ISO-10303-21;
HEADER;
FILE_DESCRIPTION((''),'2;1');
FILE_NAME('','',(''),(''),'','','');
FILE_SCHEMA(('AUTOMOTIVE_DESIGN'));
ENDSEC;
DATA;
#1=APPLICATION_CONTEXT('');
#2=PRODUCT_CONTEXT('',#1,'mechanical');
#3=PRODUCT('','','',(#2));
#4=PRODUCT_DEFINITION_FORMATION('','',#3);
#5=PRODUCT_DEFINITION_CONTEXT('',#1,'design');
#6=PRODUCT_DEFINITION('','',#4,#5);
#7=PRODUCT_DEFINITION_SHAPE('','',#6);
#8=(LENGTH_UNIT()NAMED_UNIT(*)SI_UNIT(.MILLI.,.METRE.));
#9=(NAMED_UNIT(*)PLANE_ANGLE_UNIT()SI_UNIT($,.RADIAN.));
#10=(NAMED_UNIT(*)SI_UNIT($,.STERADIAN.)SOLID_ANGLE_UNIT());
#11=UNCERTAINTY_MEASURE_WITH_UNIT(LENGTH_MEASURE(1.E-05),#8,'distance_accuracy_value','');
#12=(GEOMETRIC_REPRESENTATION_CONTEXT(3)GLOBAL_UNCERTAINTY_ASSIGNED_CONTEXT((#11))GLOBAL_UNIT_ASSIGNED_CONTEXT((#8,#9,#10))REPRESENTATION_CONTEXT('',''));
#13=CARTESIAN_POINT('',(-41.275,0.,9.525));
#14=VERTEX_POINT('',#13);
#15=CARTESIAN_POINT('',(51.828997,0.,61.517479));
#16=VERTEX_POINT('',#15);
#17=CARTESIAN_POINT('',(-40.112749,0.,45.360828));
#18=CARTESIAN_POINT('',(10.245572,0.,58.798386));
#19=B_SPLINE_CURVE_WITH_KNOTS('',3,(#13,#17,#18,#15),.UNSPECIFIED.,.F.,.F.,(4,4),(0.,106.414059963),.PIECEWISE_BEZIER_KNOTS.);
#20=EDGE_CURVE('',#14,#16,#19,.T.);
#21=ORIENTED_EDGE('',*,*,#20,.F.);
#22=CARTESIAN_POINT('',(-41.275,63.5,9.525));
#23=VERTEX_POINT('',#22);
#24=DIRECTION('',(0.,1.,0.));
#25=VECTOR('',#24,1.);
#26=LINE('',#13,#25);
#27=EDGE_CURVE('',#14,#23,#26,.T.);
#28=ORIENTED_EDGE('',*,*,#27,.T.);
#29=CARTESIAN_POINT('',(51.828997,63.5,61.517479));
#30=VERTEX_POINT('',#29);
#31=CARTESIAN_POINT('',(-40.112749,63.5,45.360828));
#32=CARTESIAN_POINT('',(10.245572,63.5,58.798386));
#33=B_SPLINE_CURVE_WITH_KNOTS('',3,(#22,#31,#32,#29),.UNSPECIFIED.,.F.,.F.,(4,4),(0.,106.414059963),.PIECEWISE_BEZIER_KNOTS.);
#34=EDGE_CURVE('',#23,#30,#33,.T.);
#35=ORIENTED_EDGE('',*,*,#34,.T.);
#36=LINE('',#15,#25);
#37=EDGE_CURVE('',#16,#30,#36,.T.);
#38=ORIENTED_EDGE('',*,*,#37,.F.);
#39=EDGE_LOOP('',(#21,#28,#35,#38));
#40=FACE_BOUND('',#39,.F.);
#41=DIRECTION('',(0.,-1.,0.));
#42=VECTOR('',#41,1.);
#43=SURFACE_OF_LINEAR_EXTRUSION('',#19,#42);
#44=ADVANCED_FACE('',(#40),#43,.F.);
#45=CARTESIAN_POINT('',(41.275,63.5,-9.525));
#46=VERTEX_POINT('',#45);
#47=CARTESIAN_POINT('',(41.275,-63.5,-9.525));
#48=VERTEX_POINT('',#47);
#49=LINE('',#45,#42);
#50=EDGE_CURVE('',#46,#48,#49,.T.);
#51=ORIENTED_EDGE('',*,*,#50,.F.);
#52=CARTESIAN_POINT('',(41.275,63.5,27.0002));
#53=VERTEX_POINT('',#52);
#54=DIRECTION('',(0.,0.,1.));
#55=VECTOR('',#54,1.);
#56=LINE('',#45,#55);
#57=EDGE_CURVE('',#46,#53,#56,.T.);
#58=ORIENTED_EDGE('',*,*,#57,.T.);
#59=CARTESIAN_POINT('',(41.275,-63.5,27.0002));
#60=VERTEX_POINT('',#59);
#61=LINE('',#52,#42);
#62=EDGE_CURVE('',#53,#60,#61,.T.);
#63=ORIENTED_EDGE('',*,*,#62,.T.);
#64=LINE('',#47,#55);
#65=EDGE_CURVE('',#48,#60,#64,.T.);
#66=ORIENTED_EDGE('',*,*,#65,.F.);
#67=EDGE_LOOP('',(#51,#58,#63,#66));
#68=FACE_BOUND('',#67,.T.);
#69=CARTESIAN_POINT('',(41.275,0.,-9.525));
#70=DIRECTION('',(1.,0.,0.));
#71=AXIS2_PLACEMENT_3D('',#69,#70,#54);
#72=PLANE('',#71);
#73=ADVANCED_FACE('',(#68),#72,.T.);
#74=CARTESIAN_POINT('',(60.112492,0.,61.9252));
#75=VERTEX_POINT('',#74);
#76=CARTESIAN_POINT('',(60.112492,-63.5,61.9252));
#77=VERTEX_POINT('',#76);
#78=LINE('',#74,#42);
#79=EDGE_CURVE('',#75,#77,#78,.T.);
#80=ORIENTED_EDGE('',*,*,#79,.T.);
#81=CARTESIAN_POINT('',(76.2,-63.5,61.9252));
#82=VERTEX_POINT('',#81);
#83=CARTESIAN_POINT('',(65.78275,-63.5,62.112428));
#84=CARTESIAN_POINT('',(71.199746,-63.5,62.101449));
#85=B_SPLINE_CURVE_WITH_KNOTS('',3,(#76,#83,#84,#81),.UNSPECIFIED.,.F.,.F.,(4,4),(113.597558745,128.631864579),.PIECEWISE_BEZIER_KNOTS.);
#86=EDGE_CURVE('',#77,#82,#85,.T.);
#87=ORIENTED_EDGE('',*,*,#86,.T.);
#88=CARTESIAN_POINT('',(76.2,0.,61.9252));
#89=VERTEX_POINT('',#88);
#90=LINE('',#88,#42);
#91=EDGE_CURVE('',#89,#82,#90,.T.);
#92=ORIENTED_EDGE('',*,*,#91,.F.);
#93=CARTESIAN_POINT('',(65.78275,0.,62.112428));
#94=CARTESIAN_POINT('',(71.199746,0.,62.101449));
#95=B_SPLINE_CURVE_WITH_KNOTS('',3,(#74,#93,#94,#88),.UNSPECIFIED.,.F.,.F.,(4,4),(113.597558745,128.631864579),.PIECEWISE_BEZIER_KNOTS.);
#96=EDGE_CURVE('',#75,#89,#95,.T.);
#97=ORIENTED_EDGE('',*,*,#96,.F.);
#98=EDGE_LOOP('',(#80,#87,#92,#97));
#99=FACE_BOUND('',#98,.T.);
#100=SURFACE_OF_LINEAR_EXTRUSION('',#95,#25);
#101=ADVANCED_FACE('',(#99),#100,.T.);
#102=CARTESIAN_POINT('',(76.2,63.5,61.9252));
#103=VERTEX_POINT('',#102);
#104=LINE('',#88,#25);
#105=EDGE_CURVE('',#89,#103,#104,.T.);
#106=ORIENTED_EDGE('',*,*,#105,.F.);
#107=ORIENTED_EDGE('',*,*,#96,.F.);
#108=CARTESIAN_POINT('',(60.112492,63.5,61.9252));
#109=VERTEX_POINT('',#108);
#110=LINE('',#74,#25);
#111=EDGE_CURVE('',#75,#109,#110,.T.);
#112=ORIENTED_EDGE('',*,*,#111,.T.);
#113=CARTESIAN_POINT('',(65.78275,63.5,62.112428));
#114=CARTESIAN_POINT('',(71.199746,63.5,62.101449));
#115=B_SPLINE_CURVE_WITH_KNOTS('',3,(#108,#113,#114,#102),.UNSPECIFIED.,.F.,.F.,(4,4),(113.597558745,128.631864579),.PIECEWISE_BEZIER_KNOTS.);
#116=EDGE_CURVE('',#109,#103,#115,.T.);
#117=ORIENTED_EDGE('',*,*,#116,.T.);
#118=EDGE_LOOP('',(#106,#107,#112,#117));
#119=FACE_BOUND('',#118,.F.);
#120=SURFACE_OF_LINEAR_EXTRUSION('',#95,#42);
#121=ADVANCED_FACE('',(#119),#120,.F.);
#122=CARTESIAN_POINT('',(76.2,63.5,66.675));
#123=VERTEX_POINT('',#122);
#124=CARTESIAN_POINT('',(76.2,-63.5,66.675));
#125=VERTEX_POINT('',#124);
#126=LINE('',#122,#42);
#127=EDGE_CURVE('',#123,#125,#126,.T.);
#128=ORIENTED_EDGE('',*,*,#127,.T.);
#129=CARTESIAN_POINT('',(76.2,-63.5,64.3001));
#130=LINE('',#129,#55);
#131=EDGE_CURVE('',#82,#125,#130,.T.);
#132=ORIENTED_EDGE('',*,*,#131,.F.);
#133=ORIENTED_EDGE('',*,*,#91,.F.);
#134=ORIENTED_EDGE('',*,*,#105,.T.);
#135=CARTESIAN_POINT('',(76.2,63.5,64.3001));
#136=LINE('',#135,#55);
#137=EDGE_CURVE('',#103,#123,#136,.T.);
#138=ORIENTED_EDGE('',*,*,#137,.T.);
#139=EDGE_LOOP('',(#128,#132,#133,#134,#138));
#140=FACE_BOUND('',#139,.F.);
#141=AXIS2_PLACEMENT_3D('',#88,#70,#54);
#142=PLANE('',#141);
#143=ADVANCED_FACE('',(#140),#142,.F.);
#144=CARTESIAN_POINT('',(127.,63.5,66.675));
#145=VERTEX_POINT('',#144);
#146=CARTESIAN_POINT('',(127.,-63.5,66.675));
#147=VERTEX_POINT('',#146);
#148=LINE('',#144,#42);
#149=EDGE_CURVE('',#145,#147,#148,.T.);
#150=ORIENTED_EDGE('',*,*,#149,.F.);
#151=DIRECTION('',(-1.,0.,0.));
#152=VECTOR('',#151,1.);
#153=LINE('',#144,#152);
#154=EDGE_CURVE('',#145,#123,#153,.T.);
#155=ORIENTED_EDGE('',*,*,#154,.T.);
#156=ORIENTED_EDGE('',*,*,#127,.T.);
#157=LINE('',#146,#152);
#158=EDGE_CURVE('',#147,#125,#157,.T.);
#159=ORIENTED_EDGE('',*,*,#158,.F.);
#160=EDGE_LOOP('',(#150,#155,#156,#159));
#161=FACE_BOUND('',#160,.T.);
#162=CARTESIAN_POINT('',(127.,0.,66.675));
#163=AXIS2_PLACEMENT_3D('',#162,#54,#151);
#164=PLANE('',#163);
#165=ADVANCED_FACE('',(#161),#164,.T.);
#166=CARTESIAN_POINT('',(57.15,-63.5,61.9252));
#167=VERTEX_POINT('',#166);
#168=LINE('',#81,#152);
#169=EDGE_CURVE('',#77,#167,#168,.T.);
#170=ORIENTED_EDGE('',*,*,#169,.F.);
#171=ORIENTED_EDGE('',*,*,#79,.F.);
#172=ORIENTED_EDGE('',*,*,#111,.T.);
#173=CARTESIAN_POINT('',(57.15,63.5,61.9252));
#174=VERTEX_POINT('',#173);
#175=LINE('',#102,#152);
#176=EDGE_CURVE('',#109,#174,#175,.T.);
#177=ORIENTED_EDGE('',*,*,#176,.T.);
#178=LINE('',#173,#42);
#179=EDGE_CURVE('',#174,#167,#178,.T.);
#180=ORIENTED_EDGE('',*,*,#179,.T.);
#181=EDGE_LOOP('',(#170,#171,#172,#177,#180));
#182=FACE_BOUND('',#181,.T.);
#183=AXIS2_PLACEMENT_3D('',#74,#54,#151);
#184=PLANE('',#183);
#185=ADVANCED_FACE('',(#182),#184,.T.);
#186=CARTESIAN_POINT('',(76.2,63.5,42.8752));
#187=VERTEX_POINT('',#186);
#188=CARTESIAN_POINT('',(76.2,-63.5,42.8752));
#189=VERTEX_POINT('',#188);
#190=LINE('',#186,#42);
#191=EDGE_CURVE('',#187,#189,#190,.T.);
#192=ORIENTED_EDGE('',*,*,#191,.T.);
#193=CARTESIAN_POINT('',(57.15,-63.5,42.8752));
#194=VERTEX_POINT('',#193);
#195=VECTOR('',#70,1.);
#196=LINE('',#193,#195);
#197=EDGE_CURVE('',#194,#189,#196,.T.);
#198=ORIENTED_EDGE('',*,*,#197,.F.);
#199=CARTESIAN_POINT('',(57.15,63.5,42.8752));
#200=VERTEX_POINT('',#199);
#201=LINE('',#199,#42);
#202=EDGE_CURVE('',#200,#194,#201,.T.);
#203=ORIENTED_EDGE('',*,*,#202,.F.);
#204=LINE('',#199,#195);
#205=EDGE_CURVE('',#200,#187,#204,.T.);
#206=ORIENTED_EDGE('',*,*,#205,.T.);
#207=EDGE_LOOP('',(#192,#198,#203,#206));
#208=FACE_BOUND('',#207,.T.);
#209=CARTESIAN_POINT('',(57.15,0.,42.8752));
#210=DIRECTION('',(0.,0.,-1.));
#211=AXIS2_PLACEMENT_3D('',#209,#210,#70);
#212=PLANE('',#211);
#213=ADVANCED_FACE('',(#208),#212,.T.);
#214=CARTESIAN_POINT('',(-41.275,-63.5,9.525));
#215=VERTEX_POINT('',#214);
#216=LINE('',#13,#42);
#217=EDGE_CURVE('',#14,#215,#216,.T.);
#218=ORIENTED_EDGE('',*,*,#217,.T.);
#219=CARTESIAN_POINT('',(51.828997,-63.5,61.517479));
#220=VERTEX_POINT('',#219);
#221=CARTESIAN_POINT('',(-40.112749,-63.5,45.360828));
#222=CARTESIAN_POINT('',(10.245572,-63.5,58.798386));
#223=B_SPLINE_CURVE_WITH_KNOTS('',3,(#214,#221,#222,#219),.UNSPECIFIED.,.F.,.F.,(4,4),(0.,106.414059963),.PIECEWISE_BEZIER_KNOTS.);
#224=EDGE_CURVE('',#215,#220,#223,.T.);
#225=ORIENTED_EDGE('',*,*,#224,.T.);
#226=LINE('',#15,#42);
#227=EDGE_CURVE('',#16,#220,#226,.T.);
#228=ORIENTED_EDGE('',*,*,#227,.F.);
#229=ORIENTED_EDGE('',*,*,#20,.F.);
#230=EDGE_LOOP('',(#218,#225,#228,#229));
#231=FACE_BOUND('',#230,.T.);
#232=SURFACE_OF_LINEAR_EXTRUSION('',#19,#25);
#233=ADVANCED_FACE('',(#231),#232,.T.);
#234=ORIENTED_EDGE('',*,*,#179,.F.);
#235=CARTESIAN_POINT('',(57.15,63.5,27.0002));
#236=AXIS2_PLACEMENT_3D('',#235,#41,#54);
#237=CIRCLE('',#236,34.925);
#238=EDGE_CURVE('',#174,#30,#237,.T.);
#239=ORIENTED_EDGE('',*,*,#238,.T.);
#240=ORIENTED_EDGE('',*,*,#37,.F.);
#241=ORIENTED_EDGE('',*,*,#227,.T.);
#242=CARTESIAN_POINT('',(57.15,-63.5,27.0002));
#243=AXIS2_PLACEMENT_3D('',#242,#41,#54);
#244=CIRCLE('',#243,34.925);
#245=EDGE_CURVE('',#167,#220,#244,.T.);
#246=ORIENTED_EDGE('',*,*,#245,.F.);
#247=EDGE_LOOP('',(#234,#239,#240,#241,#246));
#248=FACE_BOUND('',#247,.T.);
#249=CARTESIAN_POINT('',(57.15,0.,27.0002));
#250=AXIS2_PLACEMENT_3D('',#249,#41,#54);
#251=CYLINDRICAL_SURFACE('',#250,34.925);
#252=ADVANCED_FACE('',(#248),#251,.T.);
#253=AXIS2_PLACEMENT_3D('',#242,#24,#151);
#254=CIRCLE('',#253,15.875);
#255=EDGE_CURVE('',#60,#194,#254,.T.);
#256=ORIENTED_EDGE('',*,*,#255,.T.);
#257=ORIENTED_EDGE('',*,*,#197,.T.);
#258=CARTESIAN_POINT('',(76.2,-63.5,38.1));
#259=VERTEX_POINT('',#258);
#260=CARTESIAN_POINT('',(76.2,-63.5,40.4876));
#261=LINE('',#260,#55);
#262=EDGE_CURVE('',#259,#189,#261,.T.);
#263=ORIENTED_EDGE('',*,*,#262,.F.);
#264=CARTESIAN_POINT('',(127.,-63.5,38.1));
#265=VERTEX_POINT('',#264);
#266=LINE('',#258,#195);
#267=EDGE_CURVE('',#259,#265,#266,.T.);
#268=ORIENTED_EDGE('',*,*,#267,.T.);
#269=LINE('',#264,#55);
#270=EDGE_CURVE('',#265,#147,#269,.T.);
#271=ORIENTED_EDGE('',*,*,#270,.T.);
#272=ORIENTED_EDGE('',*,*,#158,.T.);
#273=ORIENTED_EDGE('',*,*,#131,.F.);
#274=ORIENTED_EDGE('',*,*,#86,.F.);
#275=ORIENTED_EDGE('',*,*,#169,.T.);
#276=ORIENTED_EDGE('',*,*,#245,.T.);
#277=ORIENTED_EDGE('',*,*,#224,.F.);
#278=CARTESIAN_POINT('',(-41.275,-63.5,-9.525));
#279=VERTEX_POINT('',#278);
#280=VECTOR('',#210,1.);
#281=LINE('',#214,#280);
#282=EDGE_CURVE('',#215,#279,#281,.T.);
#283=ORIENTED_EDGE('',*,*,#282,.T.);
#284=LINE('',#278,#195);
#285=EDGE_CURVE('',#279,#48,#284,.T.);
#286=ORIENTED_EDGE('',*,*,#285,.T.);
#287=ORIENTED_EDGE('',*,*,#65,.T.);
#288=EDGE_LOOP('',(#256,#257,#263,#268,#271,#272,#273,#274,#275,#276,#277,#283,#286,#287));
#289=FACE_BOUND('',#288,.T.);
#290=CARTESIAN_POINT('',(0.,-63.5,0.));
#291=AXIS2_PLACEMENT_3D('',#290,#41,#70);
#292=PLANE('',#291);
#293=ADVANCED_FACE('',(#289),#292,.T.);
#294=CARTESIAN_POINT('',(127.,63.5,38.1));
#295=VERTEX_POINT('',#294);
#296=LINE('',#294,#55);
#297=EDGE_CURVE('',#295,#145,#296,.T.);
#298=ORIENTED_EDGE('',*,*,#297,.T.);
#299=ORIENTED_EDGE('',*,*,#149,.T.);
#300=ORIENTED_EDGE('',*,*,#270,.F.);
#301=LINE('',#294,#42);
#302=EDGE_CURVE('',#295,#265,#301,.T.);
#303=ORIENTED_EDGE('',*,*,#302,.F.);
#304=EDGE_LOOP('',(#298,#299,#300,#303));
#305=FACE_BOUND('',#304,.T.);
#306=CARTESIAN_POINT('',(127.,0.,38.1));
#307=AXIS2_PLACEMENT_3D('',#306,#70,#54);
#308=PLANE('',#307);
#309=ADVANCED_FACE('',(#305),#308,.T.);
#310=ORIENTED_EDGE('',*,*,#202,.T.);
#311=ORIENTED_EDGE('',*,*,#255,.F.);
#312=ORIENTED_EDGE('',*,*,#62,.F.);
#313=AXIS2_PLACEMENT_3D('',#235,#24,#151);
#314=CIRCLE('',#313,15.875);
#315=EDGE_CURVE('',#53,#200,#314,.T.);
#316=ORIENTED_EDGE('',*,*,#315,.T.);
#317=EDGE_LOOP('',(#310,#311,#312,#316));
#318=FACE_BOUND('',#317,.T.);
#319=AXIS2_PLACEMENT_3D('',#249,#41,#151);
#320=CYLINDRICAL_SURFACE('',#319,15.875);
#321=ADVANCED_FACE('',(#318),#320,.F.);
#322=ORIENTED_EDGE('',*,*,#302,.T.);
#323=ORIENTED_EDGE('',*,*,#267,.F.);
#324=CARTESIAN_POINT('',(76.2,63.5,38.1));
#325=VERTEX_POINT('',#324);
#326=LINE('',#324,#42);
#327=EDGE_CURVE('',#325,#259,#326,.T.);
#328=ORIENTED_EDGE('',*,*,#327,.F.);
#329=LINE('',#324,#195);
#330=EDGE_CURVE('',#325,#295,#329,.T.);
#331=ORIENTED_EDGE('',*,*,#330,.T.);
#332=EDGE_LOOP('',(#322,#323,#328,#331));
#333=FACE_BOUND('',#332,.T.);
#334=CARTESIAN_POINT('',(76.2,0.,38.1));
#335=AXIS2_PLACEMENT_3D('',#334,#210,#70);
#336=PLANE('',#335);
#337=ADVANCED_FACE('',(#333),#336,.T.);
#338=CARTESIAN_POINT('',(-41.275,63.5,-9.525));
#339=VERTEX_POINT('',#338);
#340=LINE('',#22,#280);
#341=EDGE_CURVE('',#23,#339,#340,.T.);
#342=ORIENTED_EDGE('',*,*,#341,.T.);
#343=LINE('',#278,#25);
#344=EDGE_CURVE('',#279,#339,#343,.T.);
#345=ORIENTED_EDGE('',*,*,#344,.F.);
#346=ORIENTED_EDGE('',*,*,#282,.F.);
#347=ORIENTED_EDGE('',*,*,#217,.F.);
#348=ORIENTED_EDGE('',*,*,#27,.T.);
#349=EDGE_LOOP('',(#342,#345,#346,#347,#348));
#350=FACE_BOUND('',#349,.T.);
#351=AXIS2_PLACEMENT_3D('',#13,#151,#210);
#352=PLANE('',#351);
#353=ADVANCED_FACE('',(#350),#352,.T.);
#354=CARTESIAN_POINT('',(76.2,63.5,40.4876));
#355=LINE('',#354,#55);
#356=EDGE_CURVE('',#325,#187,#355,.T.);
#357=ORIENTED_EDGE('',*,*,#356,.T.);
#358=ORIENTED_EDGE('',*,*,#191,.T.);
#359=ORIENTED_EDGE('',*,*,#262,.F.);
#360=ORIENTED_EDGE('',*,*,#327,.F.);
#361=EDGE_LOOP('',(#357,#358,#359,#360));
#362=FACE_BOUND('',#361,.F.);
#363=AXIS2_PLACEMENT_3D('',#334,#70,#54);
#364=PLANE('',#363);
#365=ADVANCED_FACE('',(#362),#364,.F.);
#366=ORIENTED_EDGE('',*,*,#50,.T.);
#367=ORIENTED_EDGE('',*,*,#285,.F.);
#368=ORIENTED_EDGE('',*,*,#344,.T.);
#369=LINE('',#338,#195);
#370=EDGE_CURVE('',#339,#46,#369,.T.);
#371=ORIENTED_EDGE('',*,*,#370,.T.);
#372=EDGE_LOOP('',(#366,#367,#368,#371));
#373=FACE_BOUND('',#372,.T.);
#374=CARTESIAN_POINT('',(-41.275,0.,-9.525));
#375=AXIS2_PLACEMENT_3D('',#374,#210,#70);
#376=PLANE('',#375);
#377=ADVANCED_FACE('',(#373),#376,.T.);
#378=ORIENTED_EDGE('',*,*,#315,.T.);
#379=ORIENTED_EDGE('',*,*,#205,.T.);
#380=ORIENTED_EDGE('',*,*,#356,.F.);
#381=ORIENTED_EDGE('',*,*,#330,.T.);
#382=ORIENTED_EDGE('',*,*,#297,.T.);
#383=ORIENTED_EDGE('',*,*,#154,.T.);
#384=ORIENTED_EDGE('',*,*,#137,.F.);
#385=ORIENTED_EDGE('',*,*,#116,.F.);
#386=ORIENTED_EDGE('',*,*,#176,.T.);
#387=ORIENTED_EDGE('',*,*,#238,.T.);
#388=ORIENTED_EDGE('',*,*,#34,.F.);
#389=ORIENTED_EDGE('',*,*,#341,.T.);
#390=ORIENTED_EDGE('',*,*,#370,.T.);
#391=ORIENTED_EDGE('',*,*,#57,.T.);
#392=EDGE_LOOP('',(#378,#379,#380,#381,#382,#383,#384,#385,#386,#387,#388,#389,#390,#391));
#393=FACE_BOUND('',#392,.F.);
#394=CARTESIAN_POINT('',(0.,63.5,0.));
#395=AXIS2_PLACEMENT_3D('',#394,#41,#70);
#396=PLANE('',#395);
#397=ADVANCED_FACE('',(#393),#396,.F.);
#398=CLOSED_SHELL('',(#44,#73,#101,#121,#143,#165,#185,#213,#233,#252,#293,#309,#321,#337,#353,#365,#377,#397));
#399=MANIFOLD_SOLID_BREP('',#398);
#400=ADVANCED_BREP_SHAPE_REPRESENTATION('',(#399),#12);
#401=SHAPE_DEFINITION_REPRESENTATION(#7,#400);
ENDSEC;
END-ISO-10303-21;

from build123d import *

# Parameters (mm, degrees)
F0_W     = 25.4
F0_H     = 19.05
F0_H_2   = 4.7498
F0_H_3   = 4.7752
F1_DEPTH = 63.5


with BuildPart() as f1:
    # F0 (on Front) → F1 (new body, symmetric)
    with BuildSketch(Plane.XZ):
        Polygon((-41.275, -9.525), (41.275, -9.525), (41.275, 0), (41.275, 9.525), (22.225, 9.525), (-41.275, 9.525), align=None)
        with BuildLine():
            add(Edge.make_bspline(
                [(-41.275, 9.525), (-40.1127492215, 45.3608282082), (10.2455717383, 58.7983861186), (51.8289972112, 61.5174790689)],
                knots=[0, 0, 0, 0, 106.414059963, 106.414059963, 106.414059963, 106.414059963], degree=3))
            Line((-41.275, 9.525), (22.225, 9.525))
            Line((22.225, 9.525), (22.225, 27.0002))
            ThreePointArc((22.225, 27.0002), (30.63970344, 49.7369500162), (51.8289972112, 61.5174790689))
        make_face()
        with BuildLine():
            Line((22.225, 9.525), (41.275, 9.525))
            Line((41.275, 9.525), (41.275, 27.0002))
            ThreePointArc((41.275, 27.0002), (45.9246798487, 38.2255201513), (57.15, 42.8752))
            Line((57.15, 42.8752), (76.2, 42.8752))
            Line((76.2, 42.8752), (76.2, 61.9252))
            Line((76.2, 61.9252), (60.1124922335, 61.9252))
            add(Edge.make_bspline(
                [(51.8289972112, 61.5174790689), (54.6360932505, 61.7010318899), (57.4032025523, 61.8357412294), (60.1124922335, 61.9252)],
                knots=[106.414059963, 106.414059963, 106.414059963, 106.414059963, 113.5975587454, 113.5975587454, 113.5975587454, 113.5975587454], degree=3))
            ThreePointArc((51.8289972112, 61.5174790689), (30.63970344, 49.7369500162), (22.225, 27.0002))
            Line((22.225, 27.0002), (22.225, 9.525))
        make_face()
        with BuildLine():
            ThreePointArc((57.15, 61.9252), (54.4816996498, 61.8231205875), (51.8289972112, 61.5174790689))
            add(Edge.make_bspline(
                [(51.8289972112, 61.5174790689), (54.6360932505, 61.7010318899), (57.4032025523, 61.8357412294), (60.1124922335, 61.9252)],
                knots=[106.414059963, 106.414059963, 106.414059963, 106.414059963, 113.5975587454, 113.5975587454, 113.5975587454, 113.5975587454], degree=3))
            Line((60.1124922335, 61.9252), (57.15, 61.9252))
        make_face()
        with BuildLine():
            add(Edge.make_bspline(
                [(60.1124922335, 61.9252), (65.7827499857, 62.1124277781), (71.1997457835, 62.1014486601), (76.2, 61.9252)],
                knots=[113.5975587454, 113.5975587454, 113.5975587454, 113.5975587454, 128.6318645789, 128.6318645789, 128.6318645789, 128.6318645789], degree=3))
            Line((60.1124922335, 61.9252), (76.2, 61.9252))
        make_face()
        with Locations((88.9, 52.4002)):
            Rectangle(F0_W, F0_H)
        with Locations((88.9, 64.3001)):
            Rectangle(F0_W, F0_H_2)
        with Locations((88.9, 40.4876)):
            Rectangle(F0_W, F0_H_3)
        Polygon((101.6, 66.675), (101.6, 61.9252), (101.6, 42.8752), (101.6, 38.1), (127, 38.1), (127, 66.675), align=None)
    extrude(amount=F1_DEPTH, both=True)


solid = f1.part
